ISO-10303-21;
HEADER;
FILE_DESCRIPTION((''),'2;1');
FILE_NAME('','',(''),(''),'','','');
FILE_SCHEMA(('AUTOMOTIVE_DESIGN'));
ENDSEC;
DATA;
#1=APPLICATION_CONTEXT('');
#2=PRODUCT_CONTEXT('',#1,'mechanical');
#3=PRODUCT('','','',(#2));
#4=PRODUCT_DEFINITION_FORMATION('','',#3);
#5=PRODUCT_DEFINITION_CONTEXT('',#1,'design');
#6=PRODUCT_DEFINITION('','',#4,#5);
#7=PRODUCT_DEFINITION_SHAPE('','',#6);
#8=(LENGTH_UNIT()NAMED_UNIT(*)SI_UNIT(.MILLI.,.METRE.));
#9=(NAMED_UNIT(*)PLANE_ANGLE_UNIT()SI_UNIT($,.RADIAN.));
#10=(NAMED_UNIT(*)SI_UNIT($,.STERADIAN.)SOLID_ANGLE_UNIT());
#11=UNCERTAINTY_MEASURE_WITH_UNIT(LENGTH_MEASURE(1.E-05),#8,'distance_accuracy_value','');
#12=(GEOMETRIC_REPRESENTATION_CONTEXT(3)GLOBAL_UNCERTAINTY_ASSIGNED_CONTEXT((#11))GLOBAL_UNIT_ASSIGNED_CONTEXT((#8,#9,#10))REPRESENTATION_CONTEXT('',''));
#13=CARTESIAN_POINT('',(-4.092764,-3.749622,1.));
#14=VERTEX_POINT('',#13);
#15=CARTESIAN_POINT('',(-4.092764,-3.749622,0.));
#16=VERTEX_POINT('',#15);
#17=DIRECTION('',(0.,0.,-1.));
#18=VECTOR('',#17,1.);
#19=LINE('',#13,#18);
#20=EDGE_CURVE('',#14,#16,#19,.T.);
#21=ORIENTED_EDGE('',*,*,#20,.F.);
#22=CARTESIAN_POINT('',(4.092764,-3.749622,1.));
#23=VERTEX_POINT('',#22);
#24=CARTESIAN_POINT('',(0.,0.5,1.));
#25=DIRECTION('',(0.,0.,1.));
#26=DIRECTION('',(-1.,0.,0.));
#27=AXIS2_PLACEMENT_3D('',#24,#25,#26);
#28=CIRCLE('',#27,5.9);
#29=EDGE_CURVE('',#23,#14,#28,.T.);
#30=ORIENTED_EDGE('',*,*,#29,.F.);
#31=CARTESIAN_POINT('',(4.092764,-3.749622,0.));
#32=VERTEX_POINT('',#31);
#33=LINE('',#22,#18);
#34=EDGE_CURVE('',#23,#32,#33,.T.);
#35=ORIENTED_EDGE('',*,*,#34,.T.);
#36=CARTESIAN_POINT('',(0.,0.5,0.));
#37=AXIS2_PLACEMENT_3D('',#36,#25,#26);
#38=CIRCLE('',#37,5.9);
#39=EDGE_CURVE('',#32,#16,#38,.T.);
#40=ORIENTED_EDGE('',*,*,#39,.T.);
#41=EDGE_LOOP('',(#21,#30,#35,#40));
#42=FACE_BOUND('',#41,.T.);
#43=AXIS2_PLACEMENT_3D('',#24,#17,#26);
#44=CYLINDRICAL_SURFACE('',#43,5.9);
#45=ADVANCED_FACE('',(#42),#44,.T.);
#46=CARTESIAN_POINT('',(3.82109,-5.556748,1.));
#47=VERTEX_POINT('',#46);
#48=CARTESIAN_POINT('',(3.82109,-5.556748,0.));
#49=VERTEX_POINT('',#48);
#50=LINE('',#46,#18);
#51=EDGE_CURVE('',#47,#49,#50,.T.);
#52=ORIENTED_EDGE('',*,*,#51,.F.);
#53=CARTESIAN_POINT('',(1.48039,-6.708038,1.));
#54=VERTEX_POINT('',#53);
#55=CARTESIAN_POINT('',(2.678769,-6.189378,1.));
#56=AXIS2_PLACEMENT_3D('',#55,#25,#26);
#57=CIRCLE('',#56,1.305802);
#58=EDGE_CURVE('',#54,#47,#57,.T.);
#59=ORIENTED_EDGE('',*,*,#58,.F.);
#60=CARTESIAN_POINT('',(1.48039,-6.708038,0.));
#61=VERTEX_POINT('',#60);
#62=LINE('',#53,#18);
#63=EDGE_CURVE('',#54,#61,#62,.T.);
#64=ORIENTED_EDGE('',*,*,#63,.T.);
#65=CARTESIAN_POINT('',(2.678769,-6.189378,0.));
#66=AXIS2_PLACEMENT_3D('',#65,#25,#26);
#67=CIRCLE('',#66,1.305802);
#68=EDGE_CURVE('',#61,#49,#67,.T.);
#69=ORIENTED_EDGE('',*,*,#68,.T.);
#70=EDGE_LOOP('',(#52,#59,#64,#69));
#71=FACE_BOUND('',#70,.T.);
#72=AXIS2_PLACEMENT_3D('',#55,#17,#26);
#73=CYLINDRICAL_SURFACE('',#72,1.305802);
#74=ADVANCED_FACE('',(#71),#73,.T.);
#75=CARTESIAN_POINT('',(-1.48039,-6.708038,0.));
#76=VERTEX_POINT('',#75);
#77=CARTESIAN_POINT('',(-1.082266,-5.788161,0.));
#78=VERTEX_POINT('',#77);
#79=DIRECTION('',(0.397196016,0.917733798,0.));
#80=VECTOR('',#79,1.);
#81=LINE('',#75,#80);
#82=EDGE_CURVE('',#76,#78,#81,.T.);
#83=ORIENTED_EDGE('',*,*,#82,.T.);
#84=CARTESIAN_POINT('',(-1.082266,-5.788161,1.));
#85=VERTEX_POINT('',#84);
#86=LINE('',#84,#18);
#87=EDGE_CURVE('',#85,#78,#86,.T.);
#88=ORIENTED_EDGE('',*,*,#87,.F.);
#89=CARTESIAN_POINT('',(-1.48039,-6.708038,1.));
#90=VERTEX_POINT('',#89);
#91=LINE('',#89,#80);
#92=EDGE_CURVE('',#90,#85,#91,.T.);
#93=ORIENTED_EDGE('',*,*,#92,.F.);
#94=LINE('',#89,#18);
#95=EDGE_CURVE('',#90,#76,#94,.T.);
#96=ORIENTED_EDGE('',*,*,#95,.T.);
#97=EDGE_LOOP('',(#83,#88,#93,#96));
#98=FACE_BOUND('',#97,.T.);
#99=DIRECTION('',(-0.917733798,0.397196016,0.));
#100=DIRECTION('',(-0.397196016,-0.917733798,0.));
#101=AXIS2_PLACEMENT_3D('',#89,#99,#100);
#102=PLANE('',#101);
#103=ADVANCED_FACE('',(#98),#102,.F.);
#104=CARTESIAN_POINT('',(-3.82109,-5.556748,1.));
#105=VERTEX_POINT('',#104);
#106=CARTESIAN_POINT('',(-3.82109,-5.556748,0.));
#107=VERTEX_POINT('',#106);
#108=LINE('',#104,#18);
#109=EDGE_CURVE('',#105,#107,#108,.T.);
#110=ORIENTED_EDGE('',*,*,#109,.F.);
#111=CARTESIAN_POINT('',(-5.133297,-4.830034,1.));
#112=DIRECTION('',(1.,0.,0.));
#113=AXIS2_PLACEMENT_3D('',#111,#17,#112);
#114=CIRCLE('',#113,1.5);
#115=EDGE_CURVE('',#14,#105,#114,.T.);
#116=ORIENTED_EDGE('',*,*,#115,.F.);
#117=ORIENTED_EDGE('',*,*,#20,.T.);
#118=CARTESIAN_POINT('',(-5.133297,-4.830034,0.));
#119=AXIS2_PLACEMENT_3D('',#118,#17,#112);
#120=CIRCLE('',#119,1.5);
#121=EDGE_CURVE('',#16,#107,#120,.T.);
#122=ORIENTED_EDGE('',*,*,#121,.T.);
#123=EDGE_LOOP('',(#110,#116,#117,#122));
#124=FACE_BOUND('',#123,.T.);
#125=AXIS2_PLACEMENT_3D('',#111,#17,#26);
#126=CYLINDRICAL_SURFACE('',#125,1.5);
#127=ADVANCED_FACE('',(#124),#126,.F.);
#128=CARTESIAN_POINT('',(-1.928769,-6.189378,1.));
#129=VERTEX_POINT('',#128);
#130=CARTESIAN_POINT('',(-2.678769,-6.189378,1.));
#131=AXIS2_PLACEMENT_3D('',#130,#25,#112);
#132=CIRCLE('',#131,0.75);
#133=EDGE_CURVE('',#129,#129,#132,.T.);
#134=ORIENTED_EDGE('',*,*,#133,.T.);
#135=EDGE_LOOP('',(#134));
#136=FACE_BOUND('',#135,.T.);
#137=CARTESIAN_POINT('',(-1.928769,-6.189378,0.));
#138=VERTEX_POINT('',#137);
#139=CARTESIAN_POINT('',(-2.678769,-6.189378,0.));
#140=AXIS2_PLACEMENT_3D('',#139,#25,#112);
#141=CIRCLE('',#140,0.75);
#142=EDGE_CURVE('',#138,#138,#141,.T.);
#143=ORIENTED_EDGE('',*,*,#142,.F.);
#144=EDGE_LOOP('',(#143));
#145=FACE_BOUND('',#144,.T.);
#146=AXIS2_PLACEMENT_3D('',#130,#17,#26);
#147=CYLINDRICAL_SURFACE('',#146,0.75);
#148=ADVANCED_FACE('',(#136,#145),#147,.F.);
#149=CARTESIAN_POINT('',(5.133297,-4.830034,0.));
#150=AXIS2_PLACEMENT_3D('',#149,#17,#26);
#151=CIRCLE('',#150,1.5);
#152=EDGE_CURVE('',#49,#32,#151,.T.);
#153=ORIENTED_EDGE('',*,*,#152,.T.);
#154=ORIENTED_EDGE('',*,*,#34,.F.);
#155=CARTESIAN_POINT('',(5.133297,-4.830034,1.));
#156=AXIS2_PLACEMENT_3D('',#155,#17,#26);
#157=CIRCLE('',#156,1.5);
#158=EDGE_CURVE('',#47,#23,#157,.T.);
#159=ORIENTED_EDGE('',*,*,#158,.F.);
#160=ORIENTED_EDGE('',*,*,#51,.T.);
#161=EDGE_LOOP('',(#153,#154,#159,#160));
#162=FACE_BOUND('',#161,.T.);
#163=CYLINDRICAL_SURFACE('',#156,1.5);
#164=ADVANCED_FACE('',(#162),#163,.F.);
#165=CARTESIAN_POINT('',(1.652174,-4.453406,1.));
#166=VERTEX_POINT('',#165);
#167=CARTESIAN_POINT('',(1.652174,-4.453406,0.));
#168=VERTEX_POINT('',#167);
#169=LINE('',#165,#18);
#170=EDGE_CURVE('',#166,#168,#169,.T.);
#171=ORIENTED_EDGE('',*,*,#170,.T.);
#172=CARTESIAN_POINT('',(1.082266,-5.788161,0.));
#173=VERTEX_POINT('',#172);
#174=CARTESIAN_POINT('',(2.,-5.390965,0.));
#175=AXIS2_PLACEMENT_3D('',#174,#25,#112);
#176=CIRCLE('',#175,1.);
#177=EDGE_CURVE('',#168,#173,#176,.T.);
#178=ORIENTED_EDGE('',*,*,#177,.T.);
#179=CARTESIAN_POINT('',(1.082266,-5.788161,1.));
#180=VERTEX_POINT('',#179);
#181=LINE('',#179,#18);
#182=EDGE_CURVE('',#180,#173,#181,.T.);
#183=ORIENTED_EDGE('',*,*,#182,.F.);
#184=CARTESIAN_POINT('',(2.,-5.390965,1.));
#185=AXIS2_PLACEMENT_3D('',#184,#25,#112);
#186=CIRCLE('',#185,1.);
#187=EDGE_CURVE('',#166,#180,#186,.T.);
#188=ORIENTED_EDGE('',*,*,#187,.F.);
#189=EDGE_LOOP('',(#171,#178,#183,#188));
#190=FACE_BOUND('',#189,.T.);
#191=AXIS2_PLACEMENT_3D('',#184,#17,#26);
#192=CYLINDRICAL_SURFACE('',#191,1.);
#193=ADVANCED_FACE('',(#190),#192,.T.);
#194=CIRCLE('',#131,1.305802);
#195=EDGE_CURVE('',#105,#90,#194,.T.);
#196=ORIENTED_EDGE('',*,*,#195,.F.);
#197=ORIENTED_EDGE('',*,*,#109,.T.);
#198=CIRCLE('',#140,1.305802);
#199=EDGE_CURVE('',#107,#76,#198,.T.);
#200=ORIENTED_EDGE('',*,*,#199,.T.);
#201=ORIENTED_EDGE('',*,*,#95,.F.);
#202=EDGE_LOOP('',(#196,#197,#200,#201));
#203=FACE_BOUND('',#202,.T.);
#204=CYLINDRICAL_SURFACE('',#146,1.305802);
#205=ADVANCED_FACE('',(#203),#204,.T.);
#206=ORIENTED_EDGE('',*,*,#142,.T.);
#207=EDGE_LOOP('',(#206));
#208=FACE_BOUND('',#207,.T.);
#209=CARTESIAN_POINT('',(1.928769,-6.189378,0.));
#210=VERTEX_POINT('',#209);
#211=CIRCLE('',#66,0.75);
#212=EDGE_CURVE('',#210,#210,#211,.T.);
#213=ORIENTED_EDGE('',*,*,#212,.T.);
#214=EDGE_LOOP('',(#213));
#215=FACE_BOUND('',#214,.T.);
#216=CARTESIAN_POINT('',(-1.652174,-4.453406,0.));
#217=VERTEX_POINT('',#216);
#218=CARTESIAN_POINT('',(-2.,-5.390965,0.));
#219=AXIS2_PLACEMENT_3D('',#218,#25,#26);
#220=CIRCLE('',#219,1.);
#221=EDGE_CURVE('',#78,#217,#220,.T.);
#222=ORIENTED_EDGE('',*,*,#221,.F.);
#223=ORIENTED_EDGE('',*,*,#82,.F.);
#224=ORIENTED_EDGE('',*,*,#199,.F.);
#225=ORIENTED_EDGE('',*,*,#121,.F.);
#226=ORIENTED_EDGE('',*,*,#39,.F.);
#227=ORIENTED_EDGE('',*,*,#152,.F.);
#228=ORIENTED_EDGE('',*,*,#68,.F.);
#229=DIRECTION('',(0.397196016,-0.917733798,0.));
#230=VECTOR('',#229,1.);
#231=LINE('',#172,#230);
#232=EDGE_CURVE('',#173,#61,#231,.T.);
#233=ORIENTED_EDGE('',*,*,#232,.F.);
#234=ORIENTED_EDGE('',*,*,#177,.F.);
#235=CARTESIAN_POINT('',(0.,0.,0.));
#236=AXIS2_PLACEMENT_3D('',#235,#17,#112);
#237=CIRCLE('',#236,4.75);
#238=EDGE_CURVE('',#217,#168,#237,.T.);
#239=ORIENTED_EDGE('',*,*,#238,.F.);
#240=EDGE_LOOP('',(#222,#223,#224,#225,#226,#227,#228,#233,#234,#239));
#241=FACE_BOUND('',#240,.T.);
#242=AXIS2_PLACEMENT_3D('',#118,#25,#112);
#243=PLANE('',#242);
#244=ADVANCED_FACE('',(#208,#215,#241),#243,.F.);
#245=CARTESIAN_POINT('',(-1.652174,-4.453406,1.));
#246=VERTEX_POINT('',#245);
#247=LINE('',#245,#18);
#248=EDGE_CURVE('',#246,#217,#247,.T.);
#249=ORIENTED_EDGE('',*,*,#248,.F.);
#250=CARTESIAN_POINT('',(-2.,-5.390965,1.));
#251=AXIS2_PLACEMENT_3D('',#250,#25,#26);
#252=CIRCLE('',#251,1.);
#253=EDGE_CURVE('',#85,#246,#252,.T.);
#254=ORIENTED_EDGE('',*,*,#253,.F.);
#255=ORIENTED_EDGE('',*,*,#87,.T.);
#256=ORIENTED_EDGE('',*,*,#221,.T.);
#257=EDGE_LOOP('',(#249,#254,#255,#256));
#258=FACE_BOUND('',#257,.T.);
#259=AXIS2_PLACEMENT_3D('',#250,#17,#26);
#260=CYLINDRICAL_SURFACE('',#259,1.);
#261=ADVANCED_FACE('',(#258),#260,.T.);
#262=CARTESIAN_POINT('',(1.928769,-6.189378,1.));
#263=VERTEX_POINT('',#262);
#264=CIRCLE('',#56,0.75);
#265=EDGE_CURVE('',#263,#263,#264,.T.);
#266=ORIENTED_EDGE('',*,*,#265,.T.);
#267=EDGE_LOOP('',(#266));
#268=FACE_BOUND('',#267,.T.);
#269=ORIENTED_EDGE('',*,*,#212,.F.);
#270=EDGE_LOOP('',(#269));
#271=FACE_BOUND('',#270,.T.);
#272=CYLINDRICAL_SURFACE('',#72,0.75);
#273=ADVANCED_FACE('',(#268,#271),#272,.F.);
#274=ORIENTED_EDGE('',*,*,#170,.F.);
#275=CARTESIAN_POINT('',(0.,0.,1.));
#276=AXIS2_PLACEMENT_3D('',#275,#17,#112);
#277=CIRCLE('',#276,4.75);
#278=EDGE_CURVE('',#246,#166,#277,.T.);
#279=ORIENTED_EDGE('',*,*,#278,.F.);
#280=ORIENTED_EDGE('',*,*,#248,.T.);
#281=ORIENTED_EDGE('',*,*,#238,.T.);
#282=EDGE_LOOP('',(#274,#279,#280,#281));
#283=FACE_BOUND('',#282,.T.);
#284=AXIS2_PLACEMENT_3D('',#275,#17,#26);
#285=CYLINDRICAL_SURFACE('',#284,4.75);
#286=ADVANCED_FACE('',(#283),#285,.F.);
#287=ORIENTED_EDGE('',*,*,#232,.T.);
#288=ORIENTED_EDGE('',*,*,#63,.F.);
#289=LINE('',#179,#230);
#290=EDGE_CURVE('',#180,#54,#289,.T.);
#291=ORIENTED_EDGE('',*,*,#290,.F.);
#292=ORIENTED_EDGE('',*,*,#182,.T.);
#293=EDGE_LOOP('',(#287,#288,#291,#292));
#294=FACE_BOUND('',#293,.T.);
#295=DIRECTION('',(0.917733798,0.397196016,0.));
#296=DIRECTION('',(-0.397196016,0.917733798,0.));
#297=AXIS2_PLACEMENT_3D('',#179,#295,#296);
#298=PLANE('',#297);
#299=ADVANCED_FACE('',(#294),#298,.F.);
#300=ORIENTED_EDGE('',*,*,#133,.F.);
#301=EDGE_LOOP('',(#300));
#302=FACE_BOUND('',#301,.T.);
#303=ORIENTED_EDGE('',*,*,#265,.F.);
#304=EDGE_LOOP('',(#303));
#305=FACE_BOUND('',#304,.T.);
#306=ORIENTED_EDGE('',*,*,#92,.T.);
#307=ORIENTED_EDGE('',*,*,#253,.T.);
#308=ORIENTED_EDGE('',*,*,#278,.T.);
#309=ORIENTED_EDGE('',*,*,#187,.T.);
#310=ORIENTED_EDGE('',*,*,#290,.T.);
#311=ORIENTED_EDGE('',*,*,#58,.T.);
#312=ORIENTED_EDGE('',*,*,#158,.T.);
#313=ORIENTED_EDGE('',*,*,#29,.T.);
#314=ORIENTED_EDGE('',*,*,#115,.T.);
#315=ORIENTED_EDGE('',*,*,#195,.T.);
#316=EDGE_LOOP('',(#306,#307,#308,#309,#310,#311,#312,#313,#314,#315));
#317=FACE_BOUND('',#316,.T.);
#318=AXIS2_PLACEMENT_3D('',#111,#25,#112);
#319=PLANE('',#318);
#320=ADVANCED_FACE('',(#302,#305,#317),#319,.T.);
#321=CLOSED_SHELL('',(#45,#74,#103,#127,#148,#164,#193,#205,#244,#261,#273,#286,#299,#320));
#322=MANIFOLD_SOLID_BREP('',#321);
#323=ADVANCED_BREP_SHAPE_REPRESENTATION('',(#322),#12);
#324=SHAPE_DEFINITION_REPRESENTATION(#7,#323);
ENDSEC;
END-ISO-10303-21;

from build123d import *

# Parameters (mm, degrees)
SKETCH1_R  = 0.75
BODY_DEPTH = 1


with BuildPart() as part:
    # Sketch1 → Body (new body)
    with BuildSketch(Plane.XY):
        with BuildLine():
            Line((1.082266202, -5.78816068), (1.480389829, -6.708037752))
            ThreePointArc((1.480389829, -6.708037752), (3.255095183, -7.361114983), (3.821090052, -5.556748399))
            ThreePointArc((3.821090052, -5.556748399), (3.649965113, -4.607038165), (4.092763633, -3.749621847))
            ThreePointArc((4.092763633, -3.749621847), (0, 6.4), (-4.092763633, -3.749621847))
            ThreePointArc((-4.092763633, -3.749621847), (-3.649965113, -4.607038165), (-3.821090052, -5.556748399))
            ThreePointArc((-3.821090052, -5.556748399), (-3.255095183, -7.361114983), (-1.480389829, -6.708037752))
            Line((-1.480389829, -6.708037752), (-1.082266202, -5.78816068))
            ThreePointArc((-1.082266202, -5.78816068), (-1.080324382, -4.998285713), (-1.652173913, -4.453405591))
            ThreePointArc((-1.652173913, -4.453405591), (0, 4.75), (1.652173913, -4.453405591))
            ThreePointArc((1.652173913, -4.453405591), (1.080324382, -4.998285713), (1.082266202, -5.78816068))
        make_face()
        with Locations((-2.678768543, -6.189378363)):
            Circle(SKETCH1_R, mode=Mode.SUBTRACT)
        with Locations(Location((2.678768543, -6.189378363, 0), (0, 0, 180))):
            Circle(SKETCH1_R, mode=Mode.SUBTRACT)
    extrude(amount=BODY_DEPTH)


solid = part.part
